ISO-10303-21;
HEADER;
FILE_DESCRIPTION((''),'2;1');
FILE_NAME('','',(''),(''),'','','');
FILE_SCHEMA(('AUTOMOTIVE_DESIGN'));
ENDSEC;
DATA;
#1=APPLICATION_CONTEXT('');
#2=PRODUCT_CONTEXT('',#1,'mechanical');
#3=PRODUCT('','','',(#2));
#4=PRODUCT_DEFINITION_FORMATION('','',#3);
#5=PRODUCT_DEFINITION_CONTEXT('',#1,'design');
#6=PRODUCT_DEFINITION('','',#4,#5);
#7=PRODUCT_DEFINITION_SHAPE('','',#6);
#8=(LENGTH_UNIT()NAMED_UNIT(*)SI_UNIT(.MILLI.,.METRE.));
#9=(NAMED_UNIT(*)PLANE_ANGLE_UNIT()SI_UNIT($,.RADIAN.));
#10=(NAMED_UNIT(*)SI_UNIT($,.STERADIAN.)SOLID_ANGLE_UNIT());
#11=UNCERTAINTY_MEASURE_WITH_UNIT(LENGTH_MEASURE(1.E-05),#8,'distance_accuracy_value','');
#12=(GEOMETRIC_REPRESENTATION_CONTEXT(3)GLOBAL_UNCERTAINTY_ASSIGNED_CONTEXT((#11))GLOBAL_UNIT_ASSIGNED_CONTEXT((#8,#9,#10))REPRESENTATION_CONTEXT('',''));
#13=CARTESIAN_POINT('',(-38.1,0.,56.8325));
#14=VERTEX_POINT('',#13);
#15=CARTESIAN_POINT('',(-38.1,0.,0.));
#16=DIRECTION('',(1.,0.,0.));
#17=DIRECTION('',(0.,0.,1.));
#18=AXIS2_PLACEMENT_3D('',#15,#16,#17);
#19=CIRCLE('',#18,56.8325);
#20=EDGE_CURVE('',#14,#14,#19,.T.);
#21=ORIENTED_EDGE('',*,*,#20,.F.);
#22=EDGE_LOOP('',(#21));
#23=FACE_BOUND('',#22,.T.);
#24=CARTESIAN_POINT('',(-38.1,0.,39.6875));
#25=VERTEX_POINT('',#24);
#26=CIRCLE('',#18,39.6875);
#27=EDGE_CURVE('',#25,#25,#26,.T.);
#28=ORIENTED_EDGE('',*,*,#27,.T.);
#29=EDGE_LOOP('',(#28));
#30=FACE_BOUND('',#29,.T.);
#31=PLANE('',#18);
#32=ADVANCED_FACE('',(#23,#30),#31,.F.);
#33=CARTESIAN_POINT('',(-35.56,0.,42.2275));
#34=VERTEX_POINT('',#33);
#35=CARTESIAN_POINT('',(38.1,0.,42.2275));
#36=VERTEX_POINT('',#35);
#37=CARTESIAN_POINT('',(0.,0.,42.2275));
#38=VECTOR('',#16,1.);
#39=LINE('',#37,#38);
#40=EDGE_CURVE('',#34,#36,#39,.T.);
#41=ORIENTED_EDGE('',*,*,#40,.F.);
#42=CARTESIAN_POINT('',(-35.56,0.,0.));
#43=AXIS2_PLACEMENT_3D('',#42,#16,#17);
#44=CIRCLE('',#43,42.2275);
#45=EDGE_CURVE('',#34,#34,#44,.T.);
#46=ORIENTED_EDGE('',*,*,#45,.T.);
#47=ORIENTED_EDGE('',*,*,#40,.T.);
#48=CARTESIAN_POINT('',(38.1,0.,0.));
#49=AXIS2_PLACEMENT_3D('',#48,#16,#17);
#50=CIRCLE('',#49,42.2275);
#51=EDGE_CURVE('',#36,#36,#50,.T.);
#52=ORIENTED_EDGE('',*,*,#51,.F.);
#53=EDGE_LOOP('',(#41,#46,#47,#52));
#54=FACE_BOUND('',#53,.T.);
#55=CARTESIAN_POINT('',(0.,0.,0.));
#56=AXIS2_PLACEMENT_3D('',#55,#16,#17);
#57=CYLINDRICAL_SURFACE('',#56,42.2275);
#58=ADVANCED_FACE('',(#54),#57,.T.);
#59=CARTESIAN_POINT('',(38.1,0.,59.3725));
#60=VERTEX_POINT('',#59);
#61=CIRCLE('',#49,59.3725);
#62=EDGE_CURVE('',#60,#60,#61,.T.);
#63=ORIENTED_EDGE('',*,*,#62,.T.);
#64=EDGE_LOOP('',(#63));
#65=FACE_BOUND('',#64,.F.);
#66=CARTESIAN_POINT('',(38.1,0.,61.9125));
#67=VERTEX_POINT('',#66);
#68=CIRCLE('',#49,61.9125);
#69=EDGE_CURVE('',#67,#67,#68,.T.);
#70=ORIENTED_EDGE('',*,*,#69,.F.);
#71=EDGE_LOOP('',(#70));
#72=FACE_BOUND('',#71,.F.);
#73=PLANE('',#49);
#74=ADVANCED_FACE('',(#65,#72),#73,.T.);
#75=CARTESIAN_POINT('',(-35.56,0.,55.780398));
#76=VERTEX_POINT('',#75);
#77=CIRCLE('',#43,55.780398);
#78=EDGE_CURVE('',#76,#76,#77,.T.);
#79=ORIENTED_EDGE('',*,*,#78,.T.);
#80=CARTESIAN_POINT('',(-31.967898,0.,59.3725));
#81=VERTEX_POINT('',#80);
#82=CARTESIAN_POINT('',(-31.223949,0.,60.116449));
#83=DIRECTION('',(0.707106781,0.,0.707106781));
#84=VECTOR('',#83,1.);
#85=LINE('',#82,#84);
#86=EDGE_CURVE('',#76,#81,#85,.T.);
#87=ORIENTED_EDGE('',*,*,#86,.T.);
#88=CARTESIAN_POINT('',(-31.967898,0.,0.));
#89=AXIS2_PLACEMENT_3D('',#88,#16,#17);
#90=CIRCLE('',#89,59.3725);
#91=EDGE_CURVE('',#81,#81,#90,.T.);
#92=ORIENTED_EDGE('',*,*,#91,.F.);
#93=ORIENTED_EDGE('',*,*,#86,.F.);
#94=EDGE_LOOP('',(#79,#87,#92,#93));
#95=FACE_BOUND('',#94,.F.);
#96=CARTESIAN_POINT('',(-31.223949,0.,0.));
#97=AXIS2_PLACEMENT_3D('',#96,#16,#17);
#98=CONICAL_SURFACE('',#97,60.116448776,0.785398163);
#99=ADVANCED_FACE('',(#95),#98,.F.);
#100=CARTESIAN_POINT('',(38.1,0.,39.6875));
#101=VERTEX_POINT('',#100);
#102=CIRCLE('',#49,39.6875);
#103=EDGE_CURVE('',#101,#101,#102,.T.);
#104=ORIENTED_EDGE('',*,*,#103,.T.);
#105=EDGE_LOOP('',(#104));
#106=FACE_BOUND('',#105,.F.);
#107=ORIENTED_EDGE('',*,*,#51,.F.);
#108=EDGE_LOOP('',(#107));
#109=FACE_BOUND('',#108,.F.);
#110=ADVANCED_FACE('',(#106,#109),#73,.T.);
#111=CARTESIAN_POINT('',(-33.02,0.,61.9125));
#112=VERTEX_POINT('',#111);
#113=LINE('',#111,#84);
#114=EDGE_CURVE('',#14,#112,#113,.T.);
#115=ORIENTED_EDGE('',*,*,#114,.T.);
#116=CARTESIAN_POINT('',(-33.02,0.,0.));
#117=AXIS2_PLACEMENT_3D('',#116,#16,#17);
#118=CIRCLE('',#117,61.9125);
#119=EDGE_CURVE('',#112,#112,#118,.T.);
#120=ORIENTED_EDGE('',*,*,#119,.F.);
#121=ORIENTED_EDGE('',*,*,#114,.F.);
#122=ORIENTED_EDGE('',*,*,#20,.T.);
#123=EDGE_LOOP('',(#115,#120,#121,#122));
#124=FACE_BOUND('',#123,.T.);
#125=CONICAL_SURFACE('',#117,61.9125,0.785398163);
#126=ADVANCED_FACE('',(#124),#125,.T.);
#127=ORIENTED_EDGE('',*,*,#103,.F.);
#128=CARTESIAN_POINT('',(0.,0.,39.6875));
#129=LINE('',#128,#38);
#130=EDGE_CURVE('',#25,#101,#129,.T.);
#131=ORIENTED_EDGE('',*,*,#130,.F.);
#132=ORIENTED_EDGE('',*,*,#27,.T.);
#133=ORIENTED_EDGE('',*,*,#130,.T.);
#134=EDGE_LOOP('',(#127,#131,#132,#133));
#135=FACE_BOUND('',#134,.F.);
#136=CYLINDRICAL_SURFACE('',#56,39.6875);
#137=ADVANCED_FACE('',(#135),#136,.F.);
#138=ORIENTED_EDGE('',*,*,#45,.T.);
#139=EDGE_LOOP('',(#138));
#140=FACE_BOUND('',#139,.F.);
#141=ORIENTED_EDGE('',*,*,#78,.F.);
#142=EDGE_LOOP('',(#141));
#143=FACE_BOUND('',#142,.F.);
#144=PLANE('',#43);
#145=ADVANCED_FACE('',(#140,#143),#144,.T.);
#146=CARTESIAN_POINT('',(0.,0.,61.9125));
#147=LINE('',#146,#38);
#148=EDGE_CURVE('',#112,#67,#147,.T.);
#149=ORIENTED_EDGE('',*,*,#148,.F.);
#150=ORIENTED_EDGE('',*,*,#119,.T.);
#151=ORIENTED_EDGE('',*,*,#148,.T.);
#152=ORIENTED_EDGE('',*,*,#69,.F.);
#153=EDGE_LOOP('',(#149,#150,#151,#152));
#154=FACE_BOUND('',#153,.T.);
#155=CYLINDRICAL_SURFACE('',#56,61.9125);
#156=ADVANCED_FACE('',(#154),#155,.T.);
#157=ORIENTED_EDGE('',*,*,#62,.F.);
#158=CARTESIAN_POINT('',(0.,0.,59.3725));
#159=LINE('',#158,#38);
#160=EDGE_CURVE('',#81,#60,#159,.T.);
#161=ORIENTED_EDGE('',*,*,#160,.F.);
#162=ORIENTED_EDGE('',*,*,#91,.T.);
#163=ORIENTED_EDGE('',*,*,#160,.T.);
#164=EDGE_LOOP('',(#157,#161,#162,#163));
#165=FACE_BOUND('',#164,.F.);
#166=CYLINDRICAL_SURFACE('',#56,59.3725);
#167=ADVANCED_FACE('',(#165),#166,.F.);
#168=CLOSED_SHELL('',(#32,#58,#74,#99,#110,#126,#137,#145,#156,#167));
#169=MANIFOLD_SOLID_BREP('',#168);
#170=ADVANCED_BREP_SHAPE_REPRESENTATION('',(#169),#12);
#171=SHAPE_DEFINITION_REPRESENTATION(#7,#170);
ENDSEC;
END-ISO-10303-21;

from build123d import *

# Parameters (mm, degrees)
F0_W    = 76.2
F0_H    = 22.225
F2_SIZE = 5.08
F3_T    = -2.54


with BuildPart() as f1:
    # F0 (on Front) → F1 (revolve)
    with BuildSketch(Plane.XZ):
        with Locations((0, 50.8)):
            Rectangle(F0_W, F0_H)
    revolve(axis=Axis((-6.255699, 0, 0), (1, 0, 0)))

    # F2
    f2_edges = [f1.edges().sort_by_distance(p)[0] for p in [
        (-38.1, 0, -61.9125),
    ]]
    chamfer(f2_edges, length=F2_SIZE)

    # F3
    f3_openings = [f1.faces().sort_by_distance(p)[0] for p in [
        (38.1, 0, -41.43865),
    ]]
    offset(amount=F3_T, openings=f3_openings)


solid = f1.part
